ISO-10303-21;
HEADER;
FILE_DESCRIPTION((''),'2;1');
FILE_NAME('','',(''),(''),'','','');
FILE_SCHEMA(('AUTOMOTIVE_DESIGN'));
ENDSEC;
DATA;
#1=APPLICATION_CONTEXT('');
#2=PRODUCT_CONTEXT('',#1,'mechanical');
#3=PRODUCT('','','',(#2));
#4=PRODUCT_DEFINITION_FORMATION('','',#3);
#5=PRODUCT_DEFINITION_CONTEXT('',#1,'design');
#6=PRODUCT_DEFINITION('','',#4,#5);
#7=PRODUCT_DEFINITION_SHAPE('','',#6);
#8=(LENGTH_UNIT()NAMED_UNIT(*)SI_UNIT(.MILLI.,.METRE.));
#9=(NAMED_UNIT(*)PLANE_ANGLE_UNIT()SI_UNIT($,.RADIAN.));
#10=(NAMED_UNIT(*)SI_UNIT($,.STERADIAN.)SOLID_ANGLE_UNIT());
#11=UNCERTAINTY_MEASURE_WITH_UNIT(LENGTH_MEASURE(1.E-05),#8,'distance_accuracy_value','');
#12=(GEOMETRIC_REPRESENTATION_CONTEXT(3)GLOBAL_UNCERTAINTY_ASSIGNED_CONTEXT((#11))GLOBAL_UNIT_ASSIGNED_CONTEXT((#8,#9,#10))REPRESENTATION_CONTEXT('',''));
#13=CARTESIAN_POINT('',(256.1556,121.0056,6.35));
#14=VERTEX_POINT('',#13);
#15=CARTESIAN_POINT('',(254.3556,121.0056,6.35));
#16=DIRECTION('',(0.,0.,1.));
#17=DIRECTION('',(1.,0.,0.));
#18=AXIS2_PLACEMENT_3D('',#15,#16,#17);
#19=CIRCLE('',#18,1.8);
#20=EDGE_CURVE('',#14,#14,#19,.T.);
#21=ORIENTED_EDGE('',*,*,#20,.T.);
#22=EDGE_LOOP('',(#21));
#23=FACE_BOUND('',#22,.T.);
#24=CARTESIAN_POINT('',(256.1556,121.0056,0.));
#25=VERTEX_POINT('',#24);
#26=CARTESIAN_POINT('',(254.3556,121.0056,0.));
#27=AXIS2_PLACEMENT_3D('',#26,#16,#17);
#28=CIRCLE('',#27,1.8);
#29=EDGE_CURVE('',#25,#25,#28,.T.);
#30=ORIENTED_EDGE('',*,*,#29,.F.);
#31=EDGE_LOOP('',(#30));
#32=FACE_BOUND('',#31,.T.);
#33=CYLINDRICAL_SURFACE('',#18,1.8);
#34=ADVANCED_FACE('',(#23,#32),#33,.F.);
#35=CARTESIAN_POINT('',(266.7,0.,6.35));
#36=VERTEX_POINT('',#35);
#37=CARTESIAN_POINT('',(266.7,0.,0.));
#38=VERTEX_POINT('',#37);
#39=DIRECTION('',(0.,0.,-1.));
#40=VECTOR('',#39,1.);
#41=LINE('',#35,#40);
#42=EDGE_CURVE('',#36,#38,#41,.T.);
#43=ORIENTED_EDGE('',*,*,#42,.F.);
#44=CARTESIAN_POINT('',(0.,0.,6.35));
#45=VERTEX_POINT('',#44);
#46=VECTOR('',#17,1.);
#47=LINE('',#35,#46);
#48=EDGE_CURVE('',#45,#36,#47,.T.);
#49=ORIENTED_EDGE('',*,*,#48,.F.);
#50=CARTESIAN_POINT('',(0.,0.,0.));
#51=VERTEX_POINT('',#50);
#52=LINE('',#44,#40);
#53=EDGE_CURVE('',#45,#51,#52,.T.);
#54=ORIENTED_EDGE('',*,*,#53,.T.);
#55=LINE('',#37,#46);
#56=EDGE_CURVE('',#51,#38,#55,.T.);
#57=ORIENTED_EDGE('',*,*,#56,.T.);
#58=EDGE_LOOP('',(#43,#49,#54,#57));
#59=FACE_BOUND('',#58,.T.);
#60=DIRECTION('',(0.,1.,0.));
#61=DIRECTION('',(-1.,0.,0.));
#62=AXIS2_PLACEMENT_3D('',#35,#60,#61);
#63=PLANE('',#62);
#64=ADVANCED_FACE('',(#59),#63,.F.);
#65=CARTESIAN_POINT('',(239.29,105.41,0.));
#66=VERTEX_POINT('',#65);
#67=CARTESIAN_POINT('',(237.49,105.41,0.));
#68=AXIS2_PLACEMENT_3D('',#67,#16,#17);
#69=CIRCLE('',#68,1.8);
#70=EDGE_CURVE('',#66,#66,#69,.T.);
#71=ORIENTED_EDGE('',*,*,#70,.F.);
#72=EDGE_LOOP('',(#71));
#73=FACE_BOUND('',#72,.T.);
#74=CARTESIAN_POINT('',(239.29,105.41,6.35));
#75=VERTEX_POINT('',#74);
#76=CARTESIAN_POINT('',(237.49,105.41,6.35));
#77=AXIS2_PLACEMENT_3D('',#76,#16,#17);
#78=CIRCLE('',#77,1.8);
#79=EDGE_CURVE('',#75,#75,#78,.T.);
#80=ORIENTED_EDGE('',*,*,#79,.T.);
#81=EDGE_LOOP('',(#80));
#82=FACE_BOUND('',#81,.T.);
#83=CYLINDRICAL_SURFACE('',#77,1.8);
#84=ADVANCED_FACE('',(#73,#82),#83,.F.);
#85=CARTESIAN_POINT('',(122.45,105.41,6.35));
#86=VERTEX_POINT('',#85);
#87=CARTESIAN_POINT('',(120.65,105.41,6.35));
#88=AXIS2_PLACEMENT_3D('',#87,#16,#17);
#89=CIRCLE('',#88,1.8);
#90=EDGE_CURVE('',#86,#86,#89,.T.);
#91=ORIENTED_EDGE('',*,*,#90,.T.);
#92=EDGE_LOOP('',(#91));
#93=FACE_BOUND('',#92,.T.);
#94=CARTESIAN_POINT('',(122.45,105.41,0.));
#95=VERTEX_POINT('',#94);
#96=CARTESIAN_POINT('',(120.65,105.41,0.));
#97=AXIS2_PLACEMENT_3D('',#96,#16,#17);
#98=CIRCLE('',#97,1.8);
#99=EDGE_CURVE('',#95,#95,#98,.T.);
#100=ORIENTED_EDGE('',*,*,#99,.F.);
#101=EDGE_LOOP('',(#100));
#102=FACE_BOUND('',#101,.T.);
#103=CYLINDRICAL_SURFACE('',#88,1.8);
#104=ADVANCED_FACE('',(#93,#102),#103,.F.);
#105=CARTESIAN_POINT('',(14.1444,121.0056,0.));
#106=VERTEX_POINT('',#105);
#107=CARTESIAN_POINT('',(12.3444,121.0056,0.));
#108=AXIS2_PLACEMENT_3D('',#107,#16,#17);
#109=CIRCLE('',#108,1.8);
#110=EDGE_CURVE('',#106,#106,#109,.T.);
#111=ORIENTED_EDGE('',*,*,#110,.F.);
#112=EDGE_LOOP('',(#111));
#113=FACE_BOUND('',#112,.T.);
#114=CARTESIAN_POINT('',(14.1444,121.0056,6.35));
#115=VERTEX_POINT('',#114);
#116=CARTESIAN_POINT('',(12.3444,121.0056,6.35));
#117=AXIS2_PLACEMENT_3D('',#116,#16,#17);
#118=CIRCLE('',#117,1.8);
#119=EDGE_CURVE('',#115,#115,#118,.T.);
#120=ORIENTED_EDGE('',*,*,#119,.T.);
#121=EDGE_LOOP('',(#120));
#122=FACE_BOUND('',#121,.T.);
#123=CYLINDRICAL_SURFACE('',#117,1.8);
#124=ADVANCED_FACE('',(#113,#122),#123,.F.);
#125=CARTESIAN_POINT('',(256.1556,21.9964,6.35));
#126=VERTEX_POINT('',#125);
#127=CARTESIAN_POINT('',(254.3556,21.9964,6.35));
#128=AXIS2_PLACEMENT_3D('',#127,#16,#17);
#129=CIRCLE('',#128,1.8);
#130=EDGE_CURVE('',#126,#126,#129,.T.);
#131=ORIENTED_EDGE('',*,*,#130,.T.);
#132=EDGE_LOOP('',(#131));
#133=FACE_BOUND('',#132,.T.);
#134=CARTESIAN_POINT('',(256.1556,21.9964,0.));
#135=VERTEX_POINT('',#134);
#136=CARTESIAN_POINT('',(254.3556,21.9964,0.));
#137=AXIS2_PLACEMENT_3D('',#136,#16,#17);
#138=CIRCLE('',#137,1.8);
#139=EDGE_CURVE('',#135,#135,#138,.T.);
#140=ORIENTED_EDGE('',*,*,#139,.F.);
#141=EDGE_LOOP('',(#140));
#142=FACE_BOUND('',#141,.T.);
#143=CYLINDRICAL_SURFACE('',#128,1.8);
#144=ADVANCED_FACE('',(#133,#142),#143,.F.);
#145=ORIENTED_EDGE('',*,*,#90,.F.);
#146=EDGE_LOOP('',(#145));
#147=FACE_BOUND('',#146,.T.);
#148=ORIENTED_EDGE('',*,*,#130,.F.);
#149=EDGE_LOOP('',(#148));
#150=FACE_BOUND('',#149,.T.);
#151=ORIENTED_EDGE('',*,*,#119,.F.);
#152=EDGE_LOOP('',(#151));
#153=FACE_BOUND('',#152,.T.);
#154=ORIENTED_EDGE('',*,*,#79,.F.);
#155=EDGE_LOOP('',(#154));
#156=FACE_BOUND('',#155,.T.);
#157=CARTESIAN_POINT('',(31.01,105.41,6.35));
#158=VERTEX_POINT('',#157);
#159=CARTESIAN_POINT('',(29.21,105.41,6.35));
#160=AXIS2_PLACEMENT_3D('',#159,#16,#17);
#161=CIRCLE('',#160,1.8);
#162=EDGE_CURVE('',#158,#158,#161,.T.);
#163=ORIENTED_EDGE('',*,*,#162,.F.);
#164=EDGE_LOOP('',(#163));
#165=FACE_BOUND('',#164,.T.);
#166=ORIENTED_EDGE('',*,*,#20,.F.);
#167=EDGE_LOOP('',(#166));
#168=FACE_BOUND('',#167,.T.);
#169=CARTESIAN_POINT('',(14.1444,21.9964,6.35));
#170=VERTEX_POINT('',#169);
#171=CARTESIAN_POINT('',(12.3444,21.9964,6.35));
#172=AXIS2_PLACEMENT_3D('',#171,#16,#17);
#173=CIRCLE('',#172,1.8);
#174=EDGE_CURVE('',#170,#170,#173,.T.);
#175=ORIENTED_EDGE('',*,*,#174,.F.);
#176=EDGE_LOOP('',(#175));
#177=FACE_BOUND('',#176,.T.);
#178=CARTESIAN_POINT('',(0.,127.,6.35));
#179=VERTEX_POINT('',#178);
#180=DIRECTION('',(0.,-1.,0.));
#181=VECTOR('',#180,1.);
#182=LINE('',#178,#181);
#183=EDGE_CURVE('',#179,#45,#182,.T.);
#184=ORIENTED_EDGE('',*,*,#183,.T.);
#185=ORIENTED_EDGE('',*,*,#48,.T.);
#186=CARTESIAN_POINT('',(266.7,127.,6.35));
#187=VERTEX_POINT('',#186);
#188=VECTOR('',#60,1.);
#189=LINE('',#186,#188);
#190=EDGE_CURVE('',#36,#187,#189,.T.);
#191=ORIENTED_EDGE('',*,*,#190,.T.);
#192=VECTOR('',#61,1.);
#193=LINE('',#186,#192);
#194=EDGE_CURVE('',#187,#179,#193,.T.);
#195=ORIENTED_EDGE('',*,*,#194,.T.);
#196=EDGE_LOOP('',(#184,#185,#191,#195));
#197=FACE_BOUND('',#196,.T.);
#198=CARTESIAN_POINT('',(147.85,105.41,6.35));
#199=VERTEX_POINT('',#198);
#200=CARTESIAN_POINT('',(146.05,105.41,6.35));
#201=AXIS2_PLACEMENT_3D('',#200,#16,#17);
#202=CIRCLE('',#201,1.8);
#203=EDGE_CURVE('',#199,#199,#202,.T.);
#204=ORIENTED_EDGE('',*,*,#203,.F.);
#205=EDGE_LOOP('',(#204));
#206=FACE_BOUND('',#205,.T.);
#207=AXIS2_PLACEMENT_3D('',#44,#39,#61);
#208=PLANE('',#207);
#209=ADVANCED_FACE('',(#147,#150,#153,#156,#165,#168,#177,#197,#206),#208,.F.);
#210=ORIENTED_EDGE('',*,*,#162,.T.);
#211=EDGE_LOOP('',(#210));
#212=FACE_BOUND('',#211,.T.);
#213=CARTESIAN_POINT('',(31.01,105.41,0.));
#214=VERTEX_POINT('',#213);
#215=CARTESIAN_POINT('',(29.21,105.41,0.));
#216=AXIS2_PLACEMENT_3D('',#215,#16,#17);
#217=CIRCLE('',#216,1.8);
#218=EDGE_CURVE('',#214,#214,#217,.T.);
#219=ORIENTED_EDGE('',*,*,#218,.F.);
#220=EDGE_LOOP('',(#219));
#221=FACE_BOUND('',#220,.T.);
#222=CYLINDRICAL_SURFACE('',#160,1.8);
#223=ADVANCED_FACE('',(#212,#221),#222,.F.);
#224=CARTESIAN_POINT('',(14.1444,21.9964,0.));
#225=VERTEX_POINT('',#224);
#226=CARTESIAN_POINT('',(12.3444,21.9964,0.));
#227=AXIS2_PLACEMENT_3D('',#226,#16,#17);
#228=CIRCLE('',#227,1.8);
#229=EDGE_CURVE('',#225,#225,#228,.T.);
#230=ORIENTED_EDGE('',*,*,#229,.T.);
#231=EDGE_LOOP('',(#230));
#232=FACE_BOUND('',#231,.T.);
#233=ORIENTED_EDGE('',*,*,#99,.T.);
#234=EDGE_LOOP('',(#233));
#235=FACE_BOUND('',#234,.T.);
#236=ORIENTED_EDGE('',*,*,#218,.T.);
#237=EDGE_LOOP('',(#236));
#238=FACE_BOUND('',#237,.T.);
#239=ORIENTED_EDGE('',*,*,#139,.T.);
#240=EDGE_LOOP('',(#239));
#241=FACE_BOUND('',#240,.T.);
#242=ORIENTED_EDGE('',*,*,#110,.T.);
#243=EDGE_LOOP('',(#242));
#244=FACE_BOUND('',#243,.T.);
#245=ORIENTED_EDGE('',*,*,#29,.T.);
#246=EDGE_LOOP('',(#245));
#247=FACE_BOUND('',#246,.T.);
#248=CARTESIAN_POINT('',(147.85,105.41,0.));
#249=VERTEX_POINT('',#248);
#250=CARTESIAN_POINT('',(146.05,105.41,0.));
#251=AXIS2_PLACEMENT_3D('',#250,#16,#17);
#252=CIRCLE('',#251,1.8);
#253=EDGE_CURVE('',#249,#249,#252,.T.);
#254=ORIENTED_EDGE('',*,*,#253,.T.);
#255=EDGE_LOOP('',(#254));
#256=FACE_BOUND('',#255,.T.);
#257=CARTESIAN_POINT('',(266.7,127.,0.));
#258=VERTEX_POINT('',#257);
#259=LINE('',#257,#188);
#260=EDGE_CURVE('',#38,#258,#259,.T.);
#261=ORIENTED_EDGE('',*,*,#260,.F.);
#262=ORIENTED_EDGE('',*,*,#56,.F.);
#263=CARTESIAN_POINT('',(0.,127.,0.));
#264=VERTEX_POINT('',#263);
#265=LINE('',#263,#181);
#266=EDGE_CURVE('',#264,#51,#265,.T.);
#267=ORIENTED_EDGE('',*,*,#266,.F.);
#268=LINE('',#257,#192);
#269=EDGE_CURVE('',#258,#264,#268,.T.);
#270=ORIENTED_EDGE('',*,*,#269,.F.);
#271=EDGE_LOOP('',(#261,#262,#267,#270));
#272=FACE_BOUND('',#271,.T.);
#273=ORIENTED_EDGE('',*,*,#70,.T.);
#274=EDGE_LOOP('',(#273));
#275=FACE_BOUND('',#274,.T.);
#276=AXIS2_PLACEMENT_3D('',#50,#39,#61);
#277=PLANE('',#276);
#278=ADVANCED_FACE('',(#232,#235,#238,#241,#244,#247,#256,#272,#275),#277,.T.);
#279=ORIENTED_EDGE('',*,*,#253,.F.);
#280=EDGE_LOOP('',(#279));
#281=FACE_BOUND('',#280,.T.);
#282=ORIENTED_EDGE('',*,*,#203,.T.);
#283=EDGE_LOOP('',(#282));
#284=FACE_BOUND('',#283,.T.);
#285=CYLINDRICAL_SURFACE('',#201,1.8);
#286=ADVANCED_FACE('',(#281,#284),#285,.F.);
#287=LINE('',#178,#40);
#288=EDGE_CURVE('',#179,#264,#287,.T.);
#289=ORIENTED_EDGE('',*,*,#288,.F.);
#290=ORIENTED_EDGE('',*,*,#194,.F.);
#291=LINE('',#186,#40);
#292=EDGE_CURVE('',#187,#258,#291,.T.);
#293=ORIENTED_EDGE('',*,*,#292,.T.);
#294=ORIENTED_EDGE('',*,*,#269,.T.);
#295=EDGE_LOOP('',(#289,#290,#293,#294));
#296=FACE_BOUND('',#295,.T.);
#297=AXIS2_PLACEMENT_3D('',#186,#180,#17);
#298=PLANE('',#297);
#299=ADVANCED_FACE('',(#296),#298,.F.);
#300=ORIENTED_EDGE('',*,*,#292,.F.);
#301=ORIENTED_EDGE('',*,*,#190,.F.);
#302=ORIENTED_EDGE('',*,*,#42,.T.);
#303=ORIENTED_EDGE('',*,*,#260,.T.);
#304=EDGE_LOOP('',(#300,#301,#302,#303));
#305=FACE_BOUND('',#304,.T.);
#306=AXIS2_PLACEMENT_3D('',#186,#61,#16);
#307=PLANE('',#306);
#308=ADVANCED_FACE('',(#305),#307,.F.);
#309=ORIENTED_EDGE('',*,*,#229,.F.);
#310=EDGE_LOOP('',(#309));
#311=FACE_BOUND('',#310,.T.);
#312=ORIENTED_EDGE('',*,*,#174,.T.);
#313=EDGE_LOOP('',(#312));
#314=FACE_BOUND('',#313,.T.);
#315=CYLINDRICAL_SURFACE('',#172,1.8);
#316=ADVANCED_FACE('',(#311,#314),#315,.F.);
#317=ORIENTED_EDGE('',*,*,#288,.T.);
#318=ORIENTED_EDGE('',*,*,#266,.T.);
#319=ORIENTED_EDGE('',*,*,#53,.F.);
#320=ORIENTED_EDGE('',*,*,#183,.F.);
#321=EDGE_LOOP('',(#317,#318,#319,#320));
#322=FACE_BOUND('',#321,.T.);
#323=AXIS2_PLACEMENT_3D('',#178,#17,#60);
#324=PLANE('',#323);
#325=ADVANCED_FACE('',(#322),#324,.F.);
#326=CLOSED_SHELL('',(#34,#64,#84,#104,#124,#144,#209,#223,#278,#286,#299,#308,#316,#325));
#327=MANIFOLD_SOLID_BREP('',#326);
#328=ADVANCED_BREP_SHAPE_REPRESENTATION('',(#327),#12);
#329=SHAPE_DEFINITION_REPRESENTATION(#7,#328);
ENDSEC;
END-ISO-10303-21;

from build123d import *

# Parameters (mm, degrees)
SKETCH1_W            = 266.7
SKETCH1_H            = 127
BOSS_EXTRUDE1_DEPTH  = 6.35
M3_CLEARANCE_HOLE1_D = 3.6
M3_CLEARANCE_HOLE2_D = 3.6


with BuildPart() as part:
    # Sketch1 → Boss-Extrude1 (new body)
    with BuildSketch(Plane.XY):
        with Locations((133.35, 63.5)):
            Rectangle(SKETCH1_W, SKETCH1_H)
    extrude(amount=BOSS_EXTRUDE1_DEPTH)

    # M3 Clearance Hole1 (through all)
    with Locations(Plane.XY.offset(6.35)):
        with Locations((12.3444, 121.0056), (12.3444, 21.9964), (254.3556, 21.9964), (254.3556, 121.0056)):
            Hole(M3_CLEARANCE_HOLE1_D / 2)

    # M3 Clearance Hole2 (through all)
    with Locations(Plane.XY.offset(6.35)):
        with Locations((29.21, 105.41), (120.65, 105.41), (146.05, 105.41), (237.49, 105.41)):
            Hole(M3_CLEARANCE_HOLE2_D / 2)


solid = part.part
